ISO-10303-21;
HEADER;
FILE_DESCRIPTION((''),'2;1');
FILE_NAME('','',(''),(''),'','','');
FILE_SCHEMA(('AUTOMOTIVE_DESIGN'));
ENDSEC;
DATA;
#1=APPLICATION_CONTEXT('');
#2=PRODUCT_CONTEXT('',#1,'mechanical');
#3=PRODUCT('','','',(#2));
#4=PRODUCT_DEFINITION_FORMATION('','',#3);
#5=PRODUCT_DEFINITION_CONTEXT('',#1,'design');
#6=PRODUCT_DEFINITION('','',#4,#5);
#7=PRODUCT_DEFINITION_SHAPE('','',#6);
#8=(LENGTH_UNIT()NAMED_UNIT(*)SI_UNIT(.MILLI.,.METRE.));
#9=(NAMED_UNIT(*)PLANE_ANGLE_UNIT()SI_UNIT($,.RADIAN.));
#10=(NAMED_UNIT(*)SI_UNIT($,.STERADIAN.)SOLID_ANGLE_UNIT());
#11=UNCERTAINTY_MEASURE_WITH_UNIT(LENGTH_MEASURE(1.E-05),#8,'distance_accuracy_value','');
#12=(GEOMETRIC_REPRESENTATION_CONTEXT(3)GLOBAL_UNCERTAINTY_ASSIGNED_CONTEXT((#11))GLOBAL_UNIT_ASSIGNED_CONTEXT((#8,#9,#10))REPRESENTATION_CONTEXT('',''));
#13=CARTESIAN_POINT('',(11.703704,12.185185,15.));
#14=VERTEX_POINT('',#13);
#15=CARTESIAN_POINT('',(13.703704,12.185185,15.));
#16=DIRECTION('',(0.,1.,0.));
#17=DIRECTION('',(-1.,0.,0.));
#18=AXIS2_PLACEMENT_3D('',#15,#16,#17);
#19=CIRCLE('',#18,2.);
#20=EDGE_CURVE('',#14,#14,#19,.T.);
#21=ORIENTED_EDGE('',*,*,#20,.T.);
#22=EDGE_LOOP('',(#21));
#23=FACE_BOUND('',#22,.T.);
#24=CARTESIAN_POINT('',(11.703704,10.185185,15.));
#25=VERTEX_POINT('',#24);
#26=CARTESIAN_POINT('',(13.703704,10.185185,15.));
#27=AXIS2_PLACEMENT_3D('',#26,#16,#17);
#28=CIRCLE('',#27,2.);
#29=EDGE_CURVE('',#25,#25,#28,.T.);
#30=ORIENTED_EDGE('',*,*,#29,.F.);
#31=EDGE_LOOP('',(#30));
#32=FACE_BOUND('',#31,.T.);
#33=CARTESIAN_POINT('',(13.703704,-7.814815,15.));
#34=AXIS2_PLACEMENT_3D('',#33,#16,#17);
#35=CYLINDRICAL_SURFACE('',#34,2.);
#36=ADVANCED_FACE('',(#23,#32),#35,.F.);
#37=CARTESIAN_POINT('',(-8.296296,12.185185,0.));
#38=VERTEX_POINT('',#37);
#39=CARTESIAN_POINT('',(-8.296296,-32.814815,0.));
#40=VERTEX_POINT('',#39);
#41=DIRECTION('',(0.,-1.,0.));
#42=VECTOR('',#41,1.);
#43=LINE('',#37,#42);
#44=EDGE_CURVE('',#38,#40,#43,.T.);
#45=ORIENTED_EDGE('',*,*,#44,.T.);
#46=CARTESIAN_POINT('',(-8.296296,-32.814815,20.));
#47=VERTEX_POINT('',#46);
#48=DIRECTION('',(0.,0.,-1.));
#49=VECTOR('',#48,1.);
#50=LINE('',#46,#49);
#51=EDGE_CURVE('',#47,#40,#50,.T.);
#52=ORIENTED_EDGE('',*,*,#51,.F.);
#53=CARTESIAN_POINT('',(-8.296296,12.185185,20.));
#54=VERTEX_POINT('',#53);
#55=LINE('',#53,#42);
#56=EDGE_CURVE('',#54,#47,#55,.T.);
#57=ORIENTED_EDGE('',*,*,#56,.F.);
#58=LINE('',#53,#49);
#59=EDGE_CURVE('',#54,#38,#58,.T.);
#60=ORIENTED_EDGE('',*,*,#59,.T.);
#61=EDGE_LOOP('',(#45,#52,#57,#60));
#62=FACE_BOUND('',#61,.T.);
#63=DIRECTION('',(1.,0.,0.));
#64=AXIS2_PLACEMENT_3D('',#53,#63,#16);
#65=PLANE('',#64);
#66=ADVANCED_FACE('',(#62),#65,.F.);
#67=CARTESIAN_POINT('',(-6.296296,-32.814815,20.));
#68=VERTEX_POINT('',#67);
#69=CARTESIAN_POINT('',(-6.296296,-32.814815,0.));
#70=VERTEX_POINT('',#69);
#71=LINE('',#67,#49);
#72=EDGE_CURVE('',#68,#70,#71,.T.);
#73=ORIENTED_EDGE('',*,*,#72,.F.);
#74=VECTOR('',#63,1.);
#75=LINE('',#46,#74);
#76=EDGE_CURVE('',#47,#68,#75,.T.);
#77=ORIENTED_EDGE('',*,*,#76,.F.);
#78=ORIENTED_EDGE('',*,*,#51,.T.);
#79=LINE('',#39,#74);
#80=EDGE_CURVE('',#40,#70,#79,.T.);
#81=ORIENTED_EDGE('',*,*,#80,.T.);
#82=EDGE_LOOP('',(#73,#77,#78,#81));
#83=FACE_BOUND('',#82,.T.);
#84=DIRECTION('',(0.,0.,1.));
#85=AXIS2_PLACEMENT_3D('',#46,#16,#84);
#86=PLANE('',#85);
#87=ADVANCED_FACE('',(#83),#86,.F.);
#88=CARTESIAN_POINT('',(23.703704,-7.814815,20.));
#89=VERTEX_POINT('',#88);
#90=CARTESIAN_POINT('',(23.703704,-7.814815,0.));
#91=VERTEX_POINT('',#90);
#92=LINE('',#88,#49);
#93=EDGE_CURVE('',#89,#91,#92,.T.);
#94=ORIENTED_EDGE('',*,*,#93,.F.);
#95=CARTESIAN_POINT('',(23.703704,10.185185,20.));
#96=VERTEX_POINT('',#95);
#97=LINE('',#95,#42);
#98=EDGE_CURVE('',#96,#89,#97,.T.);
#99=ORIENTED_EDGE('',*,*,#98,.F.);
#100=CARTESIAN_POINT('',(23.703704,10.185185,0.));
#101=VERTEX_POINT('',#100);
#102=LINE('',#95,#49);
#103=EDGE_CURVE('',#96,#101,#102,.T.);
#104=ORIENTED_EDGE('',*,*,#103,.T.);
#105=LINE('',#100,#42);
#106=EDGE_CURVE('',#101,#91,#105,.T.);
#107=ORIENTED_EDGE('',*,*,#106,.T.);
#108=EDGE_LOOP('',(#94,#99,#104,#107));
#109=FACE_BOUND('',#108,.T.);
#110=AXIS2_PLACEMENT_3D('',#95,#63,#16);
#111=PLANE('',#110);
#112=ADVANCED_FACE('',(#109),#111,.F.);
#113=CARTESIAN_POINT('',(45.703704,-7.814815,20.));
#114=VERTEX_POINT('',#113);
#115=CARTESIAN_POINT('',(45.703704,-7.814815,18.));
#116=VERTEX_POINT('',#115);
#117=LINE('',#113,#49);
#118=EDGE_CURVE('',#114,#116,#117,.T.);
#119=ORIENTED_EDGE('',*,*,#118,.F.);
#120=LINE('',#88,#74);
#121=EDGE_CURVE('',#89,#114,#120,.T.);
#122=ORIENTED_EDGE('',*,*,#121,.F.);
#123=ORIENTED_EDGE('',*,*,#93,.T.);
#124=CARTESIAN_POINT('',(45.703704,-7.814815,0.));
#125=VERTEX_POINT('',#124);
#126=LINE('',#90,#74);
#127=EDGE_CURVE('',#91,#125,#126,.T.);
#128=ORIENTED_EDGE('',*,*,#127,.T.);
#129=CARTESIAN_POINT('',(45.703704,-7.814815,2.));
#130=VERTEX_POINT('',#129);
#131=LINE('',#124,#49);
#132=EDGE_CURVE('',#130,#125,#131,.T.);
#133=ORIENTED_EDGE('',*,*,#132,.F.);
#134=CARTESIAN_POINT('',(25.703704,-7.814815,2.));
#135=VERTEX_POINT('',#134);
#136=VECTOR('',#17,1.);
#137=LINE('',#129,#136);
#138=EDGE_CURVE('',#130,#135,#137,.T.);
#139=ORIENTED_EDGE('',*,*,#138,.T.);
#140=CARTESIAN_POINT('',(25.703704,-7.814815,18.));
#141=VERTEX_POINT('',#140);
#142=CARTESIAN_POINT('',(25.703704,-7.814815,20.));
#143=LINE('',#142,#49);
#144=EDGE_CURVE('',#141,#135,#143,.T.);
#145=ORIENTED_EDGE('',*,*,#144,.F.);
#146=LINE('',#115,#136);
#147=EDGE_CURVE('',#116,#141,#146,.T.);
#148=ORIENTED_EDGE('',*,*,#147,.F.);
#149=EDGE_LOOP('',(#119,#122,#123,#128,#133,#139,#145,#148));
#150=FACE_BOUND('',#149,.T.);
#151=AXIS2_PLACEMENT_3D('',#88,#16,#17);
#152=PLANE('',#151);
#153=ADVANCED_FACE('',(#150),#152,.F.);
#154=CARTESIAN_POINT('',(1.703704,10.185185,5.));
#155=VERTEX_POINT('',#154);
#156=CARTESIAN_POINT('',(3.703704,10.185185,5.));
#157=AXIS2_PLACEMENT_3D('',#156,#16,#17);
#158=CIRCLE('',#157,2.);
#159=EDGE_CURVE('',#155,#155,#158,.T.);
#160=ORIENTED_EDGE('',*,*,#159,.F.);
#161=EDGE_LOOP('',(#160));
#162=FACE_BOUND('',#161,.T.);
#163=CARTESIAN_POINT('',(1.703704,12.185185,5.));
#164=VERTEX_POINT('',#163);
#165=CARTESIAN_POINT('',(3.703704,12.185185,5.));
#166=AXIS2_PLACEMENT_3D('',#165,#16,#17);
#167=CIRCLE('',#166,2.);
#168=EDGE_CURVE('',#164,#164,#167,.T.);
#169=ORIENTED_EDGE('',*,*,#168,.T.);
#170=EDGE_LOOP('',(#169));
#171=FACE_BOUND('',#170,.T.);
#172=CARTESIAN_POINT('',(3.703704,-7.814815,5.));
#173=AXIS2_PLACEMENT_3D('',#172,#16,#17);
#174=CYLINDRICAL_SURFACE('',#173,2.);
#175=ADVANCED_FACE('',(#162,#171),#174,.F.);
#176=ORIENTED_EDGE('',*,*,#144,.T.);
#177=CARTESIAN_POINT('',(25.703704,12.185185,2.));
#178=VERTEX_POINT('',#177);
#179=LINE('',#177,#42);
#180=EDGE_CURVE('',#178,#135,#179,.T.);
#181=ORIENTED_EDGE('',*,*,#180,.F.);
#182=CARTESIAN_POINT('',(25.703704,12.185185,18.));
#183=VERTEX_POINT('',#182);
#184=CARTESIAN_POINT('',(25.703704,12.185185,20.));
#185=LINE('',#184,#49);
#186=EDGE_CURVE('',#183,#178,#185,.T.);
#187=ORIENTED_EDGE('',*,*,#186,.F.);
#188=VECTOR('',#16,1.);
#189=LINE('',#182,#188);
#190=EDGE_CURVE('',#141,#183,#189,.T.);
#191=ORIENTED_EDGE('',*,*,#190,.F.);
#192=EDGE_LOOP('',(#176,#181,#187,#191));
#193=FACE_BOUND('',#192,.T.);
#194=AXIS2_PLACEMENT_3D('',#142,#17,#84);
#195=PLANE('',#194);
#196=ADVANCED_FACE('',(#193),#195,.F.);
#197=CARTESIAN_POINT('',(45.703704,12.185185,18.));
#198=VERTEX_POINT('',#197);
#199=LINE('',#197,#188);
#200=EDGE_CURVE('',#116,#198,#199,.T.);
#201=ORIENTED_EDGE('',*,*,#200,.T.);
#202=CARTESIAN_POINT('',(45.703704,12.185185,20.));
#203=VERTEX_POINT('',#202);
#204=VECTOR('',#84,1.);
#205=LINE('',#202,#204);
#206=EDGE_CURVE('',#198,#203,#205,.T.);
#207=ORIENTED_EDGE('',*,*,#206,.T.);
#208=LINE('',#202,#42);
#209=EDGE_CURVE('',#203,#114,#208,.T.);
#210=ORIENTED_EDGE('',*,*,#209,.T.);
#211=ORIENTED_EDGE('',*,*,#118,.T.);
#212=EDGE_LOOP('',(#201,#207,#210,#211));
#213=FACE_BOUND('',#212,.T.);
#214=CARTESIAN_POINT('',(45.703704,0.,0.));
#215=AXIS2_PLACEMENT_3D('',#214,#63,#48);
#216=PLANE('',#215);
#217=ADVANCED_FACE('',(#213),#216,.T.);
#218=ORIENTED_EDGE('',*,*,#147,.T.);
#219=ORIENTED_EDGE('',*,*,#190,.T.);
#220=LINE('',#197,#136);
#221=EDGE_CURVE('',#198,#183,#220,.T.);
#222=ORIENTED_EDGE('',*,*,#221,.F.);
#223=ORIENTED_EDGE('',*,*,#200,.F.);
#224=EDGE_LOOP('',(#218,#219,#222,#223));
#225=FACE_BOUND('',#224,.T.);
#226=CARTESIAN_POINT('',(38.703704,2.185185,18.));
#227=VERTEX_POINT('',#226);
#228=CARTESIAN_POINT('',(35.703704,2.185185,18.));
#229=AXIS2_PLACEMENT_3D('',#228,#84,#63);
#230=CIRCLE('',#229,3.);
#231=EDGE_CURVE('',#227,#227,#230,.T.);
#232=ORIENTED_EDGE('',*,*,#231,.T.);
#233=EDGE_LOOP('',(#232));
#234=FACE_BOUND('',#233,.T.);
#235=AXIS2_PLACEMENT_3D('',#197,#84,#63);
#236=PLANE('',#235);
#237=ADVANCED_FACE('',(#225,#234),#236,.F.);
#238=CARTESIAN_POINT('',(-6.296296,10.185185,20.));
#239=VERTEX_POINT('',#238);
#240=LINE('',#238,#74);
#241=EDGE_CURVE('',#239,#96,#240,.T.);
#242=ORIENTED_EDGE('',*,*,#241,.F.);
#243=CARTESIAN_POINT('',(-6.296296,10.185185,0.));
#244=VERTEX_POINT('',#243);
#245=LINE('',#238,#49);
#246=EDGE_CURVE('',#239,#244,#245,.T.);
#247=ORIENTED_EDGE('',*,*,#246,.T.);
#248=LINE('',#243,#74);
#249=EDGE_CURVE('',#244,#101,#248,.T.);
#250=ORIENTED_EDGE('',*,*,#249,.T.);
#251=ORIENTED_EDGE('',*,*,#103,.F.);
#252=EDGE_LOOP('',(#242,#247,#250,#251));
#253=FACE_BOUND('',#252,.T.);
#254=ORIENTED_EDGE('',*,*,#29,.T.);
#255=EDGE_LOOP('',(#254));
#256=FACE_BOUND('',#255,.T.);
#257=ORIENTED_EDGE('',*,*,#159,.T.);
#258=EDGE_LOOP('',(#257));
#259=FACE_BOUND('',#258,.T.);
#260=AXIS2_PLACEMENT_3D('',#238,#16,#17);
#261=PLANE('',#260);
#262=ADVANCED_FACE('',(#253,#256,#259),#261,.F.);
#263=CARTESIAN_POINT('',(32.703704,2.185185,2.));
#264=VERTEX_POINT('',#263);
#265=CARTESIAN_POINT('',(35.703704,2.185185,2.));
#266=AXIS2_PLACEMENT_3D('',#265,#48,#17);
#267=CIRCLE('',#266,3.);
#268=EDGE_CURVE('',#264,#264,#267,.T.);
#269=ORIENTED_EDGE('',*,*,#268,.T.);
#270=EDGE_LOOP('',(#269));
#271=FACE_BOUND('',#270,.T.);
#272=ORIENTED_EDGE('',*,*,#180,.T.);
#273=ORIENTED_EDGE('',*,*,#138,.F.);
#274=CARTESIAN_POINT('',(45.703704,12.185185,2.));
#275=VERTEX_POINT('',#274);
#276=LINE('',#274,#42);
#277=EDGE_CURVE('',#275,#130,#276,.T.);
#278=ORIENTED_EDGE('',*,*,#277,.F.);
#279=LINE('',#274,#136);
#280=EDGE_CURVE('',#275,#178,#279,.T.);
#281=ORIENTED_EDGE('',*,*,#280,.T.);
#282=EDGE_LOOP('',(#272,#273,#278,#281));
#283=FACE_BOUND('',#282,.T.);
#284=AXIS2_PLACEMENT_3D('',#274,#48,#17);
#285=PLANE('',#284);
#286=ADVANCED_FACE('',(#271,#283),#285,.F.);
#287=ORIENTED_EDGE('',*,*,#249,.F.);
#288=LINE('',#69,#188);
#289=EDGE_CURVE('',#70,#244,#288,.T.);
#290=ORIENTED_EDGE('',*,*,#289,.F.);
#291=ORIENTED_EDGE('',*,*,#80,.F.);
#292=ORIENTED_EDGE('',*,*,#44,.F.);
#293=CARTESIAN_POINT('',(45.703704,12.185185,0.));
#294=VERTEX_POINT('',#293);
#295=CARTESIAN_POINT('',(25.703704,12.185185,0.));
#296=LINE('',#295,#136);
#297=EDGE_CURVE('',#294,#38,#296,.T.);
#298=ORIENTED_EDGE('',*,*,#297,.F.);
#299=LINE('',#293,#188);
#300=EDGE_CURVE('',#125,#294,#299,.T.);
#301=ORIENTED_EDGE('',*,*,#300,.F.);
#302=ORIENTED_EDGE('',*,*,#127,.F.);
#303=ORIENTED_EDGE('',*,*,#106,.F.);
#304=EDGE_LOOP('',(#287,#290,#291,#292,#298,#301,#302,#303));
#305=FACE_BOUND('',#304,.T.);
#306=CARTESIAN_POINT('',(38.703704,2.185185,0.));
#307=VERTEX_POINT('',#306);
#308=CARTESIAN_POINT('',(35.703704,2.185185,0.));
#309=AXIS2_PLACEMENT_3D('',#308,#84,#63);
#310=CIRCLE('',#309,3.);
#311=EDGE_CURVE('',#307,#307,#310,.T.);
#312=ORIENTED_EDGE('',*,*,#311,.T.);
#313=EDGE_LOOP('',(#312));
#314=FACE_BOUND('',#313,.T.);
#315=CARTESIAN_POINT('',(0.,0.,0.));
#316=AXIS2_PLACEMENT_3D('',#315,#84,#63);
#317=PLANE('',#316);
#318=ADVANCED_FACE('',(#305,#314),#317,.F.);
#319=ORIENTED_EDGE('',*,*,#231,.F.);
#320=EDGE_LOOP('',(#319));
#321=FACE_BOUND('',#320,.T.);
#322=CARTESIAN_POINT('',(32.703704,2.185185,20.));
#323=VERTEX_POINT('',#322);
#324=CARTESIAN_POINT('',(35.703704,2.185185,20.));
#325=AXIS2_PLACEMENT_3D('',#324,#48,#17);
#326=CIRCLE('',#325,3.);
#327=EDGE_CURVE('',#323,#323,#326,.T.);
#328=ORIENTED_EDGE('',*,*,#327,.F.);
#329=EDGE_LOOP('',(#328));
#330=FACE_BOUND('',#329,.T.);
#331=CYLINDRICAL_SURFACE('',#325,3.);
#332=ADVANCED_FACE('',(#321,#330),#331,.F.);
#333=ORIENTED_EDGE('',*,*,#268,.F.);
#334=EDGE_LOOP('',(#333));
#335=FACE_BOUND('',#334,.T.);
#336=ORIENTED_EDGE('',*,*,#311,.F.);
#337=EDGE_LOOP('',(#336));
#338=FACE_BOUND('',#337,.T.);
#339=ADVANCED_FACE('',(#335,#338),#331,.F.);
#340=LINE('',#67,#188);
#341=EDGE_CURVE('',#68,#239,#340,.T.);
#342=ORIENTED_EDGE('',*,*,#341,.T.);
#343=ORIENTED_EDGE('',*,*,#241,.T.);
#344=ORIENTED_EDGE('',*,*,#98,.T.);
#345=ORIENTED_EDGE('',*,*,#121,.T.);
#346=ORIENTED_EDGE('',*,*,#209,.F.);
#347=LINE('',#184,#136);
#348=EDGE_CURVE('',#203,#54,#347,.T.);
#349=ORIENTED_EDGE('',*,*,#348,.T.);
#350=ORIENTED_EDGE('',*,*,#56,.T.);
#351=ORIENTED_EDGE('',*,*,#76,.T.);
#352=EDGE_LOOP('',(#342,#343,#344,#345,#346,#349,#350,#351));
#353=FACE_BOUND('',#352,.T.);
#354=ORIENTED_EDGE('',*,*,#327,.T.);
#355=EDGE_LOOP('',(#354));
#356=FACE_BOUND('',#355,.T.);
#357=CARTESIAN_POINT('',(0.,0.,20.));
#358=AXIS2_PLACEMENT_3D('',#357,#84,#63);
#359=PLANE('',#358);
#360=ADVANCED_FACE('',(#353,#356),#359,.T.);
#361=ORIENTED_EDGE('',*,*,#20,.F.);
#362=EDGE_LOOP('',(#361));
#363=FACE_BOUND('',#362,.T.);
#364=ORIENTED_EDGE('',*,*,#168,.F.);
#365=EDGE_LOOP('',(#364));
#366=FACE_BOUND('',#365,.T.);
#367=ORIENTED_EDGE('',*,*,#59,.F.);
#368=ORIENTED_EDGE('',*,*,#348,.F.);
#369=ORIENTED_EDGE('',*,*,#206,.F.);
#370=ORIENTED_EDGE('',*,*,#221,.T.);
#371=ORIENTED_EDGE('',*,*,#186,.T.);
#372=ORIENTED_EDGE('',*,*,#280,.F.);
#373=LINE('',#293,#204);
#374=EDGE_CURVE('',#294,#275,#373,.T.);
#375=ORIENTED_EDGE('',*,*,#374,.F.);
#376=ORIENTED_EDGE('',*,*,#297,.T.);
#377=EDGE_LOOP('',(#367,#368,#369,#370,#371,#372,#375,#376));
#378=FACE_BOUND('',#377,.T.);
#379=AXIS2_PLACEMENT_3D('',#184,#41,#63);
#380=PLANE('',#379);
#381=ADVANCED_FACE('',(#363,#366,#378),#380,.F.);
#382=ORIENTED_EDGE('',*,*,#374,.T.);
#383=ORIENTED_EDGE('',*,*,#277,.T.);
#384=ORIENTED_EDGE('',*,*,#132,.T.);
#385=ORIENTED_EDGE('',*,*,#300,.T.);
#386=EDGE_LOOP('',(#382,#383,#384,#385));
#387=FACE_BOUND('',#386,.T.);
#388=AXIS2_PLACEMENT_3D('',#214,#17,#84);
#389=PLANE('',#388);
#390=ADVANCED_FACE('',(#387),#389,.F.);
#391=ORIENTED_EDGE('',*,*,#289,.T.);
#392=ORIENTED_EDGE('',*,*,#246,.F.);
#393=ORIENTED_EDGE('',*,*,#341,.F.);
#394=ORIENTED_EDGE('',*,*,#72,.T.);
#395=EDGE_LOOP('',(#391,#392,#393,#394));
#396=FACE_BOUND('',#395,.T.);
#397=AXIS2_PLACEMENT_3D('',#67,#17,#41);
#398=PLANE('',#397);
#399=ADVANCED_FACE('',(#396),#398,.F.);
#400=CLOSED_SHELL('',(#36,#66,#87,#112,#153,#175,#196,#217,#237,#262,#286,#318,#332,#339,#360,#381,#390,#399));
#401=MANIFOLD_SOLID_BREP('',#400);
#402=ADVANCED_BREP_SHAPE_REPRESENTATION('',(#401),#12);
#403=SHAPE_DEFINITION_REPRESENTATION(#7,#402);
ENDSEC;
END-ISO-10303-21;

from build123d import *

# Parameters (mm, degrees)
BOSS_EXTRUDE1_DEPTH     = 20
SKETCH2_R               = 2
CUT_EXTRUDE1_DEPTH      = 20
SKETCH3_W               = 2
SKETCH3_H               = 20
BOSS_EXTRUDE2_DEPTH     = 20
CUT_EXTRUDE2_DEPTH      = 60.712985217
CUT_EXTRUDE2_DEPTH_BACK = 60.712985217
SKETCH4_R               = 3


with BuildPart() as part:
    # Sketch1 → Boss-Extrude1 (new body)
    with BuildSketch(Plane.XY):
        Polygon((-8.296296296, 12.185185185), (-8.296296296, -32.814814815), (-6.296296296, -32.814814815), (-6.296296296, 10.185185185), (23.703703704, 10.185185185), (23.703703704, -7.814814815), (25.703703704, -7.814814815), (25.703703704, 12.185185185), align=None)
    extrude(amount=BOSS_EXTRUDE1_DEPTH)

    # Sketch2 → Cut-Extrude1 (cut)
    with BuildSketch(Plane(origin=(0, 12.185185185, 0), x_dir=(1, 0, 0), z_dir=(0, 1, 0))):
        with Locations(Location((13.703703704, -15, 0), (0, 0, 180))):
            Circle(SKETCH2_R)
        with Locations(Location((3.703703704, -5, 0), (0, 0, 180))):
            Circle(SKETCH2_R)
    extrude(amount=-CUT_EXTRUDE1_DEPTH, mode=Mode.SUBTRACT)

    # Sketch3 → Boss-Extrude2 (add)
    with BuildSketch(Plane(origin=(25.703703704, 0, 0), x_dir=(0, 0, -1), z_dir=(1, 0, 0))):
        with Locations((-19, 2.185185185)):
            Rectangle(SKETCH3_W, SKETCH3_H)
        with Locations((-1, 2.185185185)):
            Rectangle(SKETCH3_W, SKETCH3_H)
    extrude(amount=BOSS_EXTRUDE2_DEPTH)

    # Sketch4 → Cut-Extrude2 (cut, two sides: drawn at the far end of the back side and taken through both)
    with BuildSketch(Plane(origin=(0, 0, 0), x_dir=(-1, 0, 0), z_dir=(0, 0, -1)).offset(-CUT_EXTRUDE2_DEPTH_BACK)):
        with Locations((-35.703703704, 2.185185185)):
            Circle(SKETCH4_R)
    extrude(amount=CUT_EXTRUDE2_DEPTH + CUT_EXTRUDE2_DEPTH_BACK, mode=Mode.SUBTRACT)


solid = part.part
